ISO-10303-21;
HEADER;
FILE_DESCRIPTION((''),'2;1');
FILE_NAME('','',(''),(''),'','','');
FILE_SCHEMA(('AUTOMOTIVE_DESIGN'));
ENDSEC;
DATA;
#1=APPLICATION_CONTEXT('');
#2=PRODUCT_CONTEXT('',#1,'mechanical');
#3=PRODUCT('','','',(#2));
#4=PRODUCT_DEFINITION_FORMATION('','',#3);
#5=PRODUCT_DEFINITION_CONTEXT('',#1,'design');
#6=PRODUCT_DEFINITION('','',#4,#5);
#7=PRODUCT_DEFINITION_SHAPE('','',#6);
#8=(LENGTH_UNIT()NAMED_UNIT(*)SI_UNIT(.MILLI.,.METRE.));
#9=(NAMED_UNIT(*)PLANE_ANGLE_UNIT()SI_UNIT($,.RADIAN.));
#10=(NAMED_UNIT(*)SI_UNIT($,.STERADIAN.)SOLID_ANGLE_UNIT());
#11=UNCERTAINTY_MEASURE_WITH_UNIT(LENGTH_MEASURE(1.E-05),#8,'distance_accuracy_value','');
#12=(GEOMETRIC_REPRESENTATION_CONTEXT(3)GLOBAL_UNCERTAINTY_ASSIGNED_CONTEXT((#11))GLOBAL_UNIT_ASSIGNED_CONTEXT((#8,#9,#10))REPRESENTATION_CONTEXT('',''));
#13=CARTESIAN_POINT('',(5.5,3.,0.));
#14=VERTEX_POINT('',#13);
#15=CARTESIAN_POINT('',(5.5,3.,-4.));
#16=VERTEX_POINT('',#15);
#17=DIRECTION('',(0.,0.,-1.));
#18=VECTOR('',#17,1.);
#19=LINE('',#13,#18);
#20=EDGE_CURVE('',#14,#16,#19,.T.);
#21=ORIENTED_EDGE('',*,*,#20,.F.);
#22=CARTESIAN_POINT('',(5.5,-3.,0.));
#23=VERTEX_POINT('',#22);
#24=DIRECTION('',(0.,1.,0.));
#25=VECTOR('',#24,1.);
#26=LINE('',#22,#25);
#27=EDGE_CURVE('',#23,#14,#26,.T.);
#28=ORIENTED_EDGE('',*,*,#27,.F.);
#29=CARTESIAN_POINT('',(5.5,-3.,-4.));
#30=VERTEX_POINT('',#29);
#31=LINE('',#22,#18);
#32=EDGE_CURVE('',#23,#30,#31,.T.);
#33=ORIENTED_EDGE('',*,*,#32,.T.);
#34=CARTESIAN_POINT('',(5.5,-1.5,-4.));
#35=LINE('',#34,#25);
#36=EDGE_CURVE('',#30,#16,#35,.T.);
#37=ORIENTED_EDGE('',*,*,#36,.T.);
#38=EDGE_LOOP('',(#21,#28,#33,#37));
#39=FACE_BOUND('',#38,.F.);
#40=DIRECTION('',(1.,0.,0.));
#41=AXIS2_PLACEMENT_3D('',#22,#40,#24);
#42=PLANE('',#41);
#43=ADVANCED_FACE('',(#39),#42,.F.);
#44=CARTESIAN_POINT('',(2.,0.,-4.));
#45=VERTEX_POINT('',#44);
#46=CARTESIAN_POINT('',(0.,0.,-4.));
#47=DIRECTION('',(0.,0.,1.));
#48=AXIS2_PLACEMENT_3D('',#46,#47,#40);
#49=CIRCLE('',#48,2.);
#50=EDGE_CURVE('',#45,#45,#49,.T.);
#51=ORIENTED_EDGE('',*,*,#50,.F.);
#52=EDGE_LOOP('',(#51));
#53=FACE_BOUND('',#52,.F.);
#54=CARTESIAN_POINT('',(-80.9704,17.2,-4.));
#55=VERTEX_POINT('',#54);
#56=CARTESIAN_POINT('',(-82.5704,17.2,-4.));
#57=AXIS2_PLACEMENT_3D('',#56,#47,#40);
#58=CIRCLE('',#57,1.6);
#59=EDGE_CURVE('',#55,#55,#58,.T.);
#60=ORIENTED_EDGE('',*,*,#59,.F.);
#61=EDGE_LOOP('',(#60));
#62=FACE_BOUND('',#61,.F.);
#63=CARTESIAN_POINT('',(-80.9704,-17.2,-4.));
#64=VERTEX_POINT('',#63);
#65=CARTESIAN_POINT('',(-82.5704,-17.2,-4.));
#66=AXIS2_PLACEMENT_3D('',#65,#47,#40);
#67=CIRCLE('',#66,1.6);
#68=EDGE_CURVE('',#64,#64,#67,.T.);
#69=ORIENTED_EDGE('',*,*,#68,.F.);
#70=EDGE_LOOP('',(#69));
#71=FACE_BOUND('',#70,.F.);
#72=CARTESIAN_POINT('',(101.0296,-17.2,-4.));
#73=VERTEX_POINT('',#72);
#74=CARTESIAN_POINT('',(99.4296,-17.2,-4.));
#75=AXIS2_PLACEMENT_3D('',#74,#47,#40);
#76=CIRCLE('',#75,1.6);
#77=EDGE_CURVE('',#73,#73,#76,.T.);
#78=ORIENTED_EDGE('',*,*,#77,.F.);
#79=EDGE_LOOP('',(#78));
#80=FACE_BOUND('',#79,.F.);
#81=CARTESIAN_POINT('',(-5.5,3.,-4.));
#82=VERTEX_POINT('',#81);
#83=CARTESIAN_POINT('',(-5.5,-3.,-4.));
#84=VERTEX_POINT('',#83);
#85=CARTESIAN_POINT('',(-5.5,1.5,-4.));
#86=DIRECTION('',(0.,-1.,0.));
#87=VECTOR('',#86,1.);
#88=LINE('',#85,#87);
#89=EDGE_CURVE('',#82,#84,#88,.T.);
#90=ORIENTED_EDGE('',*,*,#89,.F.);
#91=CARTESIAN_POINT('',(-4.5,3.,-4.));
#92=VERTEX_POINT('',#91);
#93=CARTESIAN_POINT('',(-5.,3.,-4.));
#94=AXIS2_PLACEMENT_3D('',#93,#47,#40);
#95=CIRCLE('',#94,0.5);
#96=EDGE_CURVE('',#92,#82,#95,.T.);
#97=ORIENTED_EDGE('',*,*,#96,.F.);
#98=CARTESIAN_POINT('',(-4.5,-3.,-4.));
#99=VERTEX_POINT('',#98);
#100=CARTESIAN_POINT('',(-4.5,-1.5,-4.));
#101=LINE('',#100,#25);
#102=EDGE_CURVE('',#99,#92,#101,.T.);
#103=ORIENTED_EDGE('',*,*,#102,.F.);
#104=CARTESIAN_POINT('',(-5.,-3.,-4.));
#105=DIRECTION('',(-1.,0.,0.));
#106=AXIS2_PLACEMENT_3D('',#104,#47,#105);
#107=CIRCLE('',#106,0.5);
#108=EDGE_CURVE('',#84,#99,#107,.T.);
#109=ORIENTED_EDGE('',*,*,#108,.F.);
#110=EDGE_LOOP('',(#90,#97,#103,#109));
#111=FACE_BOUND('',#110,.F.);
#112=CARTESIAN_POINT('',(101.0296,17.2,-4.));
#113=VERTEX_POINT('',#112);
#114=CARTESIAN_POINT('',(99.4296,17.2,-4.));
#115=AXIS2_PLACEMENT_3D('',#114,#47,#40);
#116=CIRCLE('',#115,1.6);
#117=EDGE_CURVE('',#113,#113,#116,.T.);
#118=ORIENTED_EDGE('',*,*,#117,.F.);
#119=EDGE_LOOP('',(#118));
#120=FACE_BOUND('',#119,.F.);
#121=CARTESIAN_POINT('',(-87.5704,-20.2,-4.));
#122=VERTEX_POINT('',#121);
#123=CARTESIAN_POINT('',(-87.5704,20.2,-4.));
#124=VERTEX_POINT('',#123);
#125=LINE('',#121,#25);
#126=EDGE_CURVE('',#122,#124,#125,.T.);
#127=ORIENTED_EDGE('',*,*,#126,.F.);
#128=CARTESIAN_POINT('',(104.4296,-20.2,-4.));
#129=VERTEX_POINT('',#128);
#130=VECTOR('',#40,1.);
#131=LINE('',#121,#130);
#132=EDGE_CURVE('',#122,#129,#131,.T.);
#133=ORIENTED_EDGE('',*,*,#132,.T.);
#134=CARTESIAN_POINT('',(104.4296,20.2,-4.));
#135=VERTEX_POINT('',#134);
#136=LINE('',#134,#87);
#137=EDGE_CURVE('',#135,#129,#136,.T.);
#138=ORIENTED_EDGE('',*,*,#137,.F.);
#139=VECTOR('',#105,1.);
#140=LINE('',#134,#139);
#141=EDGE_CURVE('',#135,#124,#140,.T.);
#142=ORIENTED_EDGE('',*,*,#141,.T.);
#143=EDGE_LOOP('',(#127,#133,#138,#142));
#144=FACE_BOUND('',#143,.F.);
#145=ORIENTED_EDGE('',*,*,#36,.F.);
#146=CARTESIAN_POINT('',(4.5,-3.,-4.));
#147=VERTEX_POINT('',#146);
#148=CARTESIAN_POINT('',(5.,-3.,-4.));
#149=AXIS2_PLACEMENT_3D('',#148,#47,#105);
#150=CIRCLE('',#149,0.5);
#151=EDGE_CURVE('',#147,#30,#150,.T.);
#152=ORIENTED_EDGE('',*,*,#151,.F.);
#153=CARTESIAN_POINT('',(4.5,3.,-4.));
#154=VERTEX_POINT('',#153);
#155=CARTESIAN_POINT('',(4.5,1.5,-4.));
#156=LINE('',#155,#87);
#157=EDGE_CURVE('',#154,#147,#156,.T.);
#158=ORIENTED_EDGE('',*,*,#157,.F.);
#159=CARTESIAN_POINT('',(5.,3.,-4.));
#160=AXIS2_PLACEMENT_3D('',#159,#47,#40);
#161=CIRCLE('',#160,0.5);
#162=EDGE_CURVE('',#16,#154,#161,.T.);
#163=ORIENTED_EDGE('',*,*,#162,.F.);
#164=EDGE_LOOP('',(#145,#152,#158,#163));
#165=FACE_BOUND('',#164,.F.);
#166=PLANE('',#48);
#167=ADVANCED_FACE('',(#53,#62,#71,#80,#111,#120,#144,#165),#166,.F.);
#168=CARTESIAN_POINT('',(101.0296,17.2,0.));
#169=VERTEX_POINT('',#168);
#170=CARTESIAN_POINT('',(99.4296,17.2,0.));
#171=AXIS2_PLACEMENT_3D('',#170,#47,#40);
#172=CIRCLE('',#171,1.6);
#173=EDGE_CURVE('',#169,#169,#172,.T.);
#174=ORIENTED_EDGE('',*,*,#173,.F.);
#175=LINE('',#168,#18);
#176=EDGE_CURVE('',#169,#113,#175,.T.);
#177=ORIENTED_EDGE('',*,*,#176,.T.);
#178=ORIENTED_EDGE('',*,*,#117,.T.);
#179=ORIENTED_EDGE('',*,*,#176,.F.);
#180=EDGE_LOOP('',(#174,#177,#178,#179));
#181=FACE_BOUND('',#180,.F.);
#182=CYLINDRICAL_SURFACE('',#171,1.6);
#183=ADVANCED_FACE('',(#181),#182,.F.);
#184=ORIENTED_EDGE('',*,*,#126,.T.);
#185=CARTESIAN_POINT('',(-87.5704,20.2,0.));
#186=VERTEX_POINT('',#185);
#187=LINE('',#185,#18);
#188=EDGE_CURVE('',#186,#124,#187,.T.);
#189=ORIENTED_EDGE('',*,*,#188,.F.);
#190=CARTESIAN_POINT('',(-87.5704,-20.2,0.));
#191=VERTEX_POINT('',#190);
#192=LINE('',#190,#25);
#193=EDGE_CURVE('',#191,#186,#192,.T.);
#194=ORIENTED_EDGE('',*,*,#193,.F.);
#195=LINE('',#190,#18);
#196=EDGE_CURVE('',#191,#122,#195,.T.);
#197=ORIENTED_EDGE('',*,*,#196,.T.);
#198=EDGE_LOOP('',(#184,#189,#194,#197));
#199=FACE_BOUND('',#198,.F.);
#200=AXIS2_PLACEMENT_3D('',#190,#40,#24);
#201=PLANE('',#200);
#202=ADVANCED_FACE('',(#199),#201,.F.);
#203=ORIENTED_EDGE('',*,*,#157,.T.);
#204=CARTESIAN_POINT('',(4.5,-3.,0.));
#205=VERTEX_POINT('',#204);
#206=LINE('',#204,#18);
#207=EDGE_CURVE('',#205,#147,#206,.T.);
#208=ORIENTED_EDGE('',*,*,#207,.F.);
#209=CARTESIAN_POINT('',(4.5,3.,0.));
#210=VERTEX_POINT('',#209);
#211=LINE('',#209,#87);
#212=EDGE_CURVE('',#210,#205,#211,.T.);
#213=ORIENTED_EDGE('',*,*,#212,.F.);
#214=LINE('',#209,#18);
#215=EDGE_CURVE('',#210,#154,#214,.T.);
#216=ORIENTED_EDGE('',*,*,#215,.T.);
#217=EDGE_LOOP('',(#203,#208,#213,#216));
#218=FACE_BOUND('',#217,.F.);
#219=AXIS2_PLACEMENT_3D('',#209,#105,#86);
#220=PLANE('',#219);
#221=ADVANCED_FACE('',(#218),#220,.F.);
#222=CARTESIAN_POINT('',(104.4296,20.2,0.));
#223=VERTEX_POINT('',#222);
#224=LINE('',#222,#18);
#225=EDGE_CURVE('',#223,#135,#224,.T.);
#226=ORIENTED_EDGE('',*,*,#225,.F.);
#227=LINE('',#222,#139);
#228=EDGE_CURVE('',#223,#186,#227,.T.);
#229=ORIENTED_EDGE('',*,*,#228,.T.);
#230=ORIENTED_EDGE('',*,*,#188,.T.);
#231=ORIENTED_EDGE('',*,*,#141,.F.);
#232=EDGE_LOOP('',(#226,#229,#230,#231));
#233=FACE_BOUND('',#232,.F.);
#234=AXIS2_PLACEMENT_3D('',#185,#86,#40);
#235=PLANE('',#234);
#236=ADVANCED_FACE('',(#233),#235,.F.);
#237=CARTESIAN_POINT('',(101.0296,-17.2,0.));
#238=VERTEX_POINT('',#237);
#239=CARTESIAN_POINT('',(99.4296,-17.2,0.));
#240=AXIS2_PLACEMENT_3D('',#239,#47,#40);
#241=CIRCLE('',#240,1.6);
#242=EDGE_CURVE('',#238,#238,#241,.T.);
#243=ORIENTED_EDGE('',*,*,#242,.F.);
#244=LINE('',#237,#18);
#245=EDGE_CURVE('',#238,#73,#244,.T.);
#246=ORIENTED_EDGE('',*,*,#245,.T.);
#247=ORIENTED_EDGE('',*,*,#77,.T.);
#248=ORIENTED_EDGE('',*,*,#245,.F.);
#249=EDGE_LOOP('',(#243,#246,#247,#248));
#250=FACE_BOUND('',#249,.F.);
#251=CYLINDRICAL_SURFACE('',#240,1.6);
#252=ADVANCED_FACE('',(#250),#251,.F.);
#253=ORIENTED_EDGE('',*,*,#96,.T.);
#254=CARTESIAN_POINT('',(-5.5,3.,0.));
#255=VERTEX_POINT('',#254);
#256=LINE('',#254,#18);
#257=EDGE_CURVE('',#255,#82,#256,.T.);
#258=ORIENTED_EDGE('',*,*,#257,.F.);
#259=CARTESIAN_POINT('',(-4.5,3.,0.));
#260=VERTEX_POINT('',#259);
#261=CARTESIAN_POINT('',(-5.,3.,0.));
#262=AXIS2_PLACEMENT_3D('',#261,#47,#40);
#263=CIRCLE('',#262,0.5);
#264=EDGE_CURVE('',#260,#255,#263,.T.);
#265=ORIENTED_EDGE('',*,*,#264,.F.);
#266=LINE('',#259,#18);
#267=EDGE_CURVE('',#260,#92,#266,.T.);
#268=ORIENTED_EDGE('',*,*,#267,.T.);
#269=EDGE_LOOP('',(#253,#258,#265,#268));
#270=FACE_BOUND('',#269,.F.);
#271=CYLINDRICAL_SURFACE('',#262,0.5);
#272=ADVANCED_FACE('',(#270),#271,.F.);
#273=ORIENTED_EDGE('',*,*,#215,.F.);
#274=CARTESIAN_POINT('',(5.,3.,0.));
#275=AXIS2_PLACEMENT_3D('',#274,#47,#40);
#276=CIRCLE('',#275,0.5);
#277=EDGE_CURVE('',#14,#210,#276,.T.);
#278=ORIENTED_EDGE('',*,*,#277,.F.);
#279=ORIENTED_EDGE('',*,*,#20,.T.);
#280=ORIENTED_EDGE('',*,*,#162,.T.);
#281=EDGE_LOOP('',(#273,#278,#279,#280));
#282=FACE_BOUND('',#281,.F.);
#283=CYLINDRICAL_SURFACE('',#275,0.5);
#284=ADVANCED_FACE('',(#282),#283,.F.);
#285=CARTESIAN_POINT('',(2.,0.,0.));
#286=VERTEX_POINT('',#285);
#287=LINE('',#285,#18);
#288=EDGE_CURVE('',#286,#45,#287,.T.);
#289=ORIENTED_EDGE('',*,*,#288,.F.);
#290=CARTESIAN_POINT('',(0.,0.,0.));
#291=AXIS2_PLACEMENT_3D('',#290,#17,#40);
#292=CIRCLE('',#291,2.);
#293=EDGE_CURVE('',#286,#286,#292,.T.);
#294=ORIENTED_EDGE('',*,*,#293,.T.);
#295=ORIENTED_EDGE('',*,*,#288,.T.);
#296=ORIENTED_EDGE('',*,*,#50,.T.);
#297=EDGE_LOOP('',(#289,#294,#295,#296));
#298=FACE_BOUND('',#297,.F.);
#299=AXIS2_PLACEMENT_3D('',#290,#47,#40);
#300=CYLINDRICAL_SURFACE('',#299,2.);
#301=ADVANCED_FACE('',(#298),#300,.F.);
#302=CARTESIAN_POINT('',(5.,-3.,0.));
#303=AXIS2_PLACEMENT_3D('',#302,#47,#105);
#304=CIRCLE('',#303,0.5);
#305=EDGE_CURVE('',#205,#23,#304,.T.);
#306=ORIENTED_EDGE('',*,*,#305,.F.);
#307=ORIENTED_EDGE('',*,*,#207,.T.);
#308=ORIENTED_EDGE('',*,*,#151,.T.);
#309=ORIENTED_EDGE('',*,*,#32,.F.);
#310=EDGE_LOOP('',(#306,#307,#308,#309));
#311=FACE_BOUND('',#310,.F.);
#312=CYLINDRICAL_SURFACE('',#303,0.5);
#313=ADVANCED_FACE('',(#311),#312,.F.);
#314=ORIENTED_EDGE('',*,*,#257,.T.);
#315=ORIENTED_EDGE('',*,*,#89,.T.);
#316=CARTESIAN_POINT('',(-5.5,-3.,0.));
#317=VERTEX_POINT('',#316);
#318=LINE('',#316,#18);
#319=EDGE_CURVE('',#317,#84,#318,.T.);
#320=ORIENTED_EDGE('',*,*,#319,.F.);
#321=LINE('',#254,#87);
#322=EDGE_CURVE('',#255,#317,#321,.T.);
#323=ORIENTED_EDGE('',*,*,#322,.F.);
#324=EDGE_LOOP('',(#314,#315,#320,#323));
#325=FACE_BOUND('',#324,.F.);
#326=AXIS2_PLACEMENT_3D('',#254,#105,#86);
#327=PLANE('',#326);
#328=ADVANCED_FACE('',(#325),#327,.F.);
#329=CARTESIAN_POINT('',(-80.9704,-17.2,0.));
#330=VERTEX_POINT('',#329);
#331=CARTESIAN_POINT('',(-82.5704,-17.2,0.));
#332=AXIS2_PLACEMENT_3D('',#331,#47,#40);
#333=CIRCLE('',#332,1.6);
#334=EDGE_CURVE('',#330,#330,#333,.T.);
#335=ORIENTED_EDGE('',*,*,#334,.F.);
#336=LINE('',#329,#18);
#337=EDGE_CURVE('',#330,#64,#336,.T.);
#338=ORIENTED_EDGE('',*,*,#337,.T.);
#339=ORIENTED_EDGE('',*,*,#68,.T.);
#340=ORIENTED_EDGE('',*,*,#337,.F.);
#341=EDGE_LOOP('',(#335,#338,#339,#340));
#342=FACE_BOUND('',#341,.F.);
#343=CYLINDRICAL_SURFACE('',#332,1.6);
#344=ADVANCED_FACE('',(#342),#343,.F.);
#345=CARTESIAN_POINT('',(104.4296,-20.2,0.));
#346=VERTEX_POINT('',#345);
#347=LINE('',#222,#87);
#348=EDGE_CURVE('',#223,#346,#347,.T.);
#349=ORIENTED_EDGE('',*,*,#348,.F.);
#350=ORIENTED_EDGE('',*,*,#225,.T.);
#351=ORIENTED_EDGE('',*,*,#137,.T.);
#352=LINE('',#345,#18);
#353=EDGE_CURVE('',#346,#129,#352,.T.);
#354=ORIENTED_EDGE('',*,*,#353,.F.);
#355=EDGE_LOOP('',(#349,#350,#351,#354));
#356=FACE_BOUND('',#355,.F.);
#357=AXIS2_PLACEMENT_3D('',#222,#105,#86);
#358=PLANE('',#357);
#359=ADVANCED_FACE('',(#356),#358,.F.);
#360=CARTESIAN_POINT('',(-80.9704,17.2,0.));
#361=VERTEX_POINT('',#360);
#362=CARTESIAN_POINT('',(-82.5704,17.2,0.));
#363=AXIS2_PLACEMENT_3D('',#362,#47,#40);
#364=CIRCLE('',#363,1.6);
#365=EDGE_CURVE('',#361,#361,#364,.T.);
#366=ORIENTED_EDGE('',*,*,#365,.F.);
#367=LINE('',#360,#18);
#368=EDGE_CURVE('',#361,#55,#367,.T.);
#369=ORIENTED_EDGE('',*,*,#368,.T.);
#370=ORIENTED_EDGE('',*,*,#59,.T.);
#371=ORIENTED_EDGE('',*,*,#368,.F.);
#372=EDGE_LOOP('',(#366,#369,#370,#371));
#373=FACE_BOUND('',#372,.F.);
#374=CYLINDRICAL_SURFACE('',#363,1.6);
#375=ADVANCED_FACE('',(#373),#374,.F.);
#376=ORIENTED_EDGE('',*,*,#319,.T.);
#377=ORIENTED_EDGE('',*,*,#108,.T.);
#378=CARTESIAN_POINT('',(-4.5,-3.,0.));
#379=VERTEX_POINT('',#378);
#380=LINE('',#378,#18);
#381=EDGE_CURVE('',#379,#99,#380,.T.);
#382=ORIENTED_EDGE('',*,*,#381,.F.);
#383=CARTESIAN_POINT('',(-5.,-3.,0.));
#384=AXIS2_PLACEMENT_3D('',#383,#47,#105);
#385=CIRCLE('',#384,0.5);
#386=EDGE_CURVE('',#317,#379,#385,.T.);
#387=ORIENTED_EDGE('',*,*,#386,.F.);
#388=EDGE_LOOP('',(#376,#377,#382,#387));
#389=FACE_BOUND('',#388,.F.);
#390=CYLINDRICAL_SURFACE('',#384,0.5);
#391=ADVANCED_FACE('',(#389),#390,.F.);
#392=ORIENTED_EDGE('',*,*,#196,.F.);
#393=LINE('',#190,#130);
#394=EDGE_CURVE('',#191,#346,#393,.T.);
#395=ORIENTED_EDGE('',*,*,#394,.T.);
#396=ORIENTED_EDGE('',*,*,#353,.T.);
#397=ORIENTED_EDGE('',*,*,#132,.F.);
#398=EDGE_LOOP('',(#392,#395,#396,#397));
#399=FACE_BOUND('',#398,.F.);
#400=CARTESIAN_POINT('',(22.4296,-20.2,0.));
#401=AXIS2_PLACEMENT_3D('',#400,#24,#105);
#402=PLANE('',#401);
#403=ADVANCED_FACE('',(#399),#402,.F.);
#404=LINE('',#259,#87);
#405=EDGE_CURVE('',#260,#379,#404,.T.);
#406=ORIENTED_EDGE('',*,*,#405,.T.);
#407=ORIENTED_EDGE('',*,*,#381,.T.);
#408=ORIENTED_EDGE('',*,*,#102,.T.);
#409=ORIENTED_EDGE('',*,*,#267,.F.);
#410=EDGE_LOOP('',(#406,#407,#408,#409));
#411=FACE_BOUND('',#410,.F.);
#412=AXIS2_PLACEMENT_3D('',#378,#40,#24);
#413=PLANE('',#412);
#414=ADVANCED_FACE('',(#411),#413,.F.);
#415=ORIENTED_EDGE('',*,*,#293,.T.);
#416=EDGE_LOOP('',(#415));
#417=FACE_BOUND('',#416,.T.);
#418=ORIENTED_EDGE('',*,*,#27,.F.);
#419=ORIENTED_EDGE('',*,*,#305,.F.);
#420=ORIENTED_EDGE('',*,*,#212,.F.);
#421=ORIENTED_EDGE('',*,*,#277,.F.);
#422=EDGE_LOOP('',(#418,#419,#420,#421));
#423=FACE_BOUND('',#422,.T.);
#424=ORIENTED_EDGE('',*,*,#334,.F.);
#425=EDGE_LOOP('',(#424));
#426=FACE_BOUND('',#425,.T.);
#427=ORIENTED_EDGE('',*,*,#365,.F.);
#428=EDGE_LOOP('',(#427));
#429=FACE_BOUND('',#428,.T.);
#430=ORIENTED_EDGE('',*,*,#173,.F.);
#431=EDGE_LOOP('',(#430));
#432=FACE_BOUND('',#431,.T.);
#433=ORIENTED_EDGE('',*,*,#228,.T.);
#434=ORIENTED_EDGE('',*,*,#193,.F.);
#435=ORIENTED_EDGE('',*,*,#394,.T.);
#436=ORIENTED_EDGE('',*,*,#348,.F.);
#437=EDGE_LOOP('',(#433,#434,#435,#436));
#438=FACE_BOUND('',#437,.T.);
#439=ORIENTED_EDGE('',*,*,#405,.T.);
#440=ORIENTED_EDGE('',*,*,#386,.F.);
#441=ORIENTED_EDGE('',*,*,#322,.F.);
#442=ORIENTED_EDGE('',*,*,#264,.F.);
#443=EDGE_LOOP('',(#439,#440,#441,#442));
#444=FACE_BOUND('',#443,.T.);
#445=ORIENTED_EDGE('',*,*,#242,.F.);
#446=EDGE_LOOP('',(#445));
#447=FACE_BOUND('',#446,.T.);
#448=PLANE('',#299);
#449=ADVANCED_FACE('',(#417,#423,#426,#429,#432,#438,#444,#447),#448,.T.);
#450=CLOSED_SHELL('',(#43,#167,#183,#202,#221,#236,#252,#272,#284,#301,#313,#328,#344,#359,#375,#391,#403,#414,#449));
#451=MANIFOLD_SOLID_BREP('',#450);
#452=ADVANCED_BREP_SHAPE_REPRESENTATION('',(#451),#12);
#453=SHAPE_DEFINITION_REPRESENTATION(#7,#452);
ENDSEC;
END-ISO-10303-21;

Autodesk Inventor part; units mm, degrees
ref_plane "YZ Plane" through (0, 0, 0) normal (1, 0, 0) x (0, 1, 0)
ref_plane "XZ Plane" through (0, 0, 0) normal (0, 1, 0) x (-1, 0, 0)
ref_plane "XY Plane" through (0, 0, 0) normal (0, 0, 1) x (1, 0, 0)
sketch "Sketch1" plane through (0, 0, 0) normal (0, 0, 1) x (1, 0, 0)
  line L0 (93.3916, -12.6) -> (93.3916, 12.6)
  line L1 (53.9763, -12.6) -> (93.3916, -12.6)
  line L2 (53.9763, -15.2) -> (53.9763, -12.6)
  line L3 (38.2753, -15.2) -> (53.9763, -15.2)
  line L4 (38.2753, -15.2) -> (23.4296, -15.2)
  line L5 (23.4296, -12.6) -> (23.4296, -15.2)
  line L6 (-76.0546, -12.6) -> (23.4296, -12.6)
  line L7 (23.4296, 12.6) -> (-76.0546, 12.6)
  line L8 (23.4296, 15.2) -> (23.4296, 12.6)
  line L9 (-76.0546, 12.6) -> (-76.0546, -12.6)
  line L10 (-70.1, 10) -> (-66.9, 10)
  line L11 (-66.9, -10) -> (-70.1, -10)
  line L12 (23.4296, 15.2) -> (53.9763, 15.2)
  line L13 (53.9763, 15.2) -> (53.9763, 12.6)
  line L14 (53.9763, 12.6) -> (93.3916, 12.6)
  line L15 (-77.0546, 13.6) -> (22.4296, 13.6)
  line L16 (22.4296, 13.6) -> (22.4296, 16.2)
  line L17 (22.4296, 16.2) -> (54.9763, 16.2)
  line L18 (54.9763, 16.2) -> (54.9763, 13.6)
  line L19 (54.9763, 13.6) -> (94.3916, 13.6)
  line L20 (94.3916, 13.6) -> (94.3916, -13.6)
  line L21 (94.3916, -13.6) -> (54.9763, -13.6)
  line L22 (54.9763, -13.6) -> (54.9763, -16.2)
  line L23 (54.9763, -16.2) -> (38.2753, -16.2)
  line L24 (38.2753, -16.2) -> (22.4296, -16.2)
  line L25 (22.4296, -16.2) -> (22.4296, -13.6)
  line L26 (22.4296, -13.6) -> (-77.0546, -13.6)
  line L27 (-77.0546, -13.6) -> (-77.0546, 13.6)
  line L28 (22.4296, -16.2) -> (22.4296, -20.2) construction
  line L29 (22.4296, -20.2) -> (-87.5704, -20.2)
  line L30 (-87.5704, -20.2) -> (-87.5704, 20.2)
  line L31 (-87.5704, 20.2) -> (22.4296, 20.2)
  line L32 (104.4296, -20.2) -> (22.4296, -20.2)
  line L33 (22.4296, 20.2) -> (104.4296, 20.2)
  line L34 (104.4296, 20.2) -> (104.4296, -20.2)
  circle A0 centre (-82.5704, 17.2) radius 1.6
  circle A1 centre (-82.5704, -17.2) radius 1.6
  circle A2 centre (99.4296, 17.2) radius 1.6
  circle A3 centre (99.4296, -17.2) radius 1.6
  dimension "d0" = 1
  dimension "d1" = 4
  dimension "d2" = 110
  dimension "d3" = 40.4
  dimension "d5" = 82
  dimension "d18" = 5
  dimension "d19" = 5
  dimension "d20" = 3
  dimension "d21" = 3
  dimension "d22" = 5
  dimension "d23" = 3
  dimension "d24" = 5
  dimension "d25" = 3
extrude "Extrusion1" add sketch "Sketch1" against normal blind 4 contours L1 L2 L3 L4 L5 L6 L9 L7 L8 L12 L13 L14 L0 | L15 L16 L17 L18 L19 L20 L21 L22 L23 L24 L25 L26 L27 | L29 L30 L31 L33 L34 L32
sketch "Sketch3" plane through (0, 0, 0) normal (0, 0, 1) x (1, 0, 0)
  arc A0 (-9.9934, 7) -> (-9.9934, -7) centre (-9.9934, 0) ccw projected
  line L0 (21.0066, 7) -> (-9.9934, 7) projected
  line L1 (-9.9934, -7) -> (21.0066, -7) projected
  arc A1 (21.0066, -7) -> (21.0066, 7) centre (21.0066, 0) ccw projected
  circle A2 centre (0, 0) radius 2
  line L2 (0, 0) -> (5, 0) construction
  line L3 (0, 0) -> (-5, 0)
  line L4 (-5, 3) -> (-5, -3) construction
  line L5 (-5.5, 3) -> (-5.5, -3)
  line L6 (-4.5, -3) -> (-4.5, 3)
  arc A3 (-4.5, 3) -> (-5.5, 3) centre (-5, 3) ccw
  arc A4 (-5.5, -3) -> (-4.5, -3) centre (-5, -3) ccw
  line L7 (5, 3) -> (5, -3) construction
  line L8 (4.5, 3) -> (4.5, -3)
  line L9 (5.5, -3) -> (5.5, 3)
  arc A5 (5.5, 3) -> (4.5, 3) centre (5, 3) ccw
  arc A6 (4.5, -3) -> (5.5, -3) centre (5, -3) ccw
  dimension "d26" = 4
  dimension "d27" = 5
  dimension "d28" = 5
  dimension "d29" = 3
  dimension "d30" = 1
  dimension "d31" = 3
  dimension "d32" = 1
extrude "Extrusion3" cut sketch "Sketch3" against normal through all contours A2 | L6 A4 L5 A3 | A5 L9 A6 L8
properties part number "Template-Fixture-Bottom" material "Polycarbonate, Clear"
